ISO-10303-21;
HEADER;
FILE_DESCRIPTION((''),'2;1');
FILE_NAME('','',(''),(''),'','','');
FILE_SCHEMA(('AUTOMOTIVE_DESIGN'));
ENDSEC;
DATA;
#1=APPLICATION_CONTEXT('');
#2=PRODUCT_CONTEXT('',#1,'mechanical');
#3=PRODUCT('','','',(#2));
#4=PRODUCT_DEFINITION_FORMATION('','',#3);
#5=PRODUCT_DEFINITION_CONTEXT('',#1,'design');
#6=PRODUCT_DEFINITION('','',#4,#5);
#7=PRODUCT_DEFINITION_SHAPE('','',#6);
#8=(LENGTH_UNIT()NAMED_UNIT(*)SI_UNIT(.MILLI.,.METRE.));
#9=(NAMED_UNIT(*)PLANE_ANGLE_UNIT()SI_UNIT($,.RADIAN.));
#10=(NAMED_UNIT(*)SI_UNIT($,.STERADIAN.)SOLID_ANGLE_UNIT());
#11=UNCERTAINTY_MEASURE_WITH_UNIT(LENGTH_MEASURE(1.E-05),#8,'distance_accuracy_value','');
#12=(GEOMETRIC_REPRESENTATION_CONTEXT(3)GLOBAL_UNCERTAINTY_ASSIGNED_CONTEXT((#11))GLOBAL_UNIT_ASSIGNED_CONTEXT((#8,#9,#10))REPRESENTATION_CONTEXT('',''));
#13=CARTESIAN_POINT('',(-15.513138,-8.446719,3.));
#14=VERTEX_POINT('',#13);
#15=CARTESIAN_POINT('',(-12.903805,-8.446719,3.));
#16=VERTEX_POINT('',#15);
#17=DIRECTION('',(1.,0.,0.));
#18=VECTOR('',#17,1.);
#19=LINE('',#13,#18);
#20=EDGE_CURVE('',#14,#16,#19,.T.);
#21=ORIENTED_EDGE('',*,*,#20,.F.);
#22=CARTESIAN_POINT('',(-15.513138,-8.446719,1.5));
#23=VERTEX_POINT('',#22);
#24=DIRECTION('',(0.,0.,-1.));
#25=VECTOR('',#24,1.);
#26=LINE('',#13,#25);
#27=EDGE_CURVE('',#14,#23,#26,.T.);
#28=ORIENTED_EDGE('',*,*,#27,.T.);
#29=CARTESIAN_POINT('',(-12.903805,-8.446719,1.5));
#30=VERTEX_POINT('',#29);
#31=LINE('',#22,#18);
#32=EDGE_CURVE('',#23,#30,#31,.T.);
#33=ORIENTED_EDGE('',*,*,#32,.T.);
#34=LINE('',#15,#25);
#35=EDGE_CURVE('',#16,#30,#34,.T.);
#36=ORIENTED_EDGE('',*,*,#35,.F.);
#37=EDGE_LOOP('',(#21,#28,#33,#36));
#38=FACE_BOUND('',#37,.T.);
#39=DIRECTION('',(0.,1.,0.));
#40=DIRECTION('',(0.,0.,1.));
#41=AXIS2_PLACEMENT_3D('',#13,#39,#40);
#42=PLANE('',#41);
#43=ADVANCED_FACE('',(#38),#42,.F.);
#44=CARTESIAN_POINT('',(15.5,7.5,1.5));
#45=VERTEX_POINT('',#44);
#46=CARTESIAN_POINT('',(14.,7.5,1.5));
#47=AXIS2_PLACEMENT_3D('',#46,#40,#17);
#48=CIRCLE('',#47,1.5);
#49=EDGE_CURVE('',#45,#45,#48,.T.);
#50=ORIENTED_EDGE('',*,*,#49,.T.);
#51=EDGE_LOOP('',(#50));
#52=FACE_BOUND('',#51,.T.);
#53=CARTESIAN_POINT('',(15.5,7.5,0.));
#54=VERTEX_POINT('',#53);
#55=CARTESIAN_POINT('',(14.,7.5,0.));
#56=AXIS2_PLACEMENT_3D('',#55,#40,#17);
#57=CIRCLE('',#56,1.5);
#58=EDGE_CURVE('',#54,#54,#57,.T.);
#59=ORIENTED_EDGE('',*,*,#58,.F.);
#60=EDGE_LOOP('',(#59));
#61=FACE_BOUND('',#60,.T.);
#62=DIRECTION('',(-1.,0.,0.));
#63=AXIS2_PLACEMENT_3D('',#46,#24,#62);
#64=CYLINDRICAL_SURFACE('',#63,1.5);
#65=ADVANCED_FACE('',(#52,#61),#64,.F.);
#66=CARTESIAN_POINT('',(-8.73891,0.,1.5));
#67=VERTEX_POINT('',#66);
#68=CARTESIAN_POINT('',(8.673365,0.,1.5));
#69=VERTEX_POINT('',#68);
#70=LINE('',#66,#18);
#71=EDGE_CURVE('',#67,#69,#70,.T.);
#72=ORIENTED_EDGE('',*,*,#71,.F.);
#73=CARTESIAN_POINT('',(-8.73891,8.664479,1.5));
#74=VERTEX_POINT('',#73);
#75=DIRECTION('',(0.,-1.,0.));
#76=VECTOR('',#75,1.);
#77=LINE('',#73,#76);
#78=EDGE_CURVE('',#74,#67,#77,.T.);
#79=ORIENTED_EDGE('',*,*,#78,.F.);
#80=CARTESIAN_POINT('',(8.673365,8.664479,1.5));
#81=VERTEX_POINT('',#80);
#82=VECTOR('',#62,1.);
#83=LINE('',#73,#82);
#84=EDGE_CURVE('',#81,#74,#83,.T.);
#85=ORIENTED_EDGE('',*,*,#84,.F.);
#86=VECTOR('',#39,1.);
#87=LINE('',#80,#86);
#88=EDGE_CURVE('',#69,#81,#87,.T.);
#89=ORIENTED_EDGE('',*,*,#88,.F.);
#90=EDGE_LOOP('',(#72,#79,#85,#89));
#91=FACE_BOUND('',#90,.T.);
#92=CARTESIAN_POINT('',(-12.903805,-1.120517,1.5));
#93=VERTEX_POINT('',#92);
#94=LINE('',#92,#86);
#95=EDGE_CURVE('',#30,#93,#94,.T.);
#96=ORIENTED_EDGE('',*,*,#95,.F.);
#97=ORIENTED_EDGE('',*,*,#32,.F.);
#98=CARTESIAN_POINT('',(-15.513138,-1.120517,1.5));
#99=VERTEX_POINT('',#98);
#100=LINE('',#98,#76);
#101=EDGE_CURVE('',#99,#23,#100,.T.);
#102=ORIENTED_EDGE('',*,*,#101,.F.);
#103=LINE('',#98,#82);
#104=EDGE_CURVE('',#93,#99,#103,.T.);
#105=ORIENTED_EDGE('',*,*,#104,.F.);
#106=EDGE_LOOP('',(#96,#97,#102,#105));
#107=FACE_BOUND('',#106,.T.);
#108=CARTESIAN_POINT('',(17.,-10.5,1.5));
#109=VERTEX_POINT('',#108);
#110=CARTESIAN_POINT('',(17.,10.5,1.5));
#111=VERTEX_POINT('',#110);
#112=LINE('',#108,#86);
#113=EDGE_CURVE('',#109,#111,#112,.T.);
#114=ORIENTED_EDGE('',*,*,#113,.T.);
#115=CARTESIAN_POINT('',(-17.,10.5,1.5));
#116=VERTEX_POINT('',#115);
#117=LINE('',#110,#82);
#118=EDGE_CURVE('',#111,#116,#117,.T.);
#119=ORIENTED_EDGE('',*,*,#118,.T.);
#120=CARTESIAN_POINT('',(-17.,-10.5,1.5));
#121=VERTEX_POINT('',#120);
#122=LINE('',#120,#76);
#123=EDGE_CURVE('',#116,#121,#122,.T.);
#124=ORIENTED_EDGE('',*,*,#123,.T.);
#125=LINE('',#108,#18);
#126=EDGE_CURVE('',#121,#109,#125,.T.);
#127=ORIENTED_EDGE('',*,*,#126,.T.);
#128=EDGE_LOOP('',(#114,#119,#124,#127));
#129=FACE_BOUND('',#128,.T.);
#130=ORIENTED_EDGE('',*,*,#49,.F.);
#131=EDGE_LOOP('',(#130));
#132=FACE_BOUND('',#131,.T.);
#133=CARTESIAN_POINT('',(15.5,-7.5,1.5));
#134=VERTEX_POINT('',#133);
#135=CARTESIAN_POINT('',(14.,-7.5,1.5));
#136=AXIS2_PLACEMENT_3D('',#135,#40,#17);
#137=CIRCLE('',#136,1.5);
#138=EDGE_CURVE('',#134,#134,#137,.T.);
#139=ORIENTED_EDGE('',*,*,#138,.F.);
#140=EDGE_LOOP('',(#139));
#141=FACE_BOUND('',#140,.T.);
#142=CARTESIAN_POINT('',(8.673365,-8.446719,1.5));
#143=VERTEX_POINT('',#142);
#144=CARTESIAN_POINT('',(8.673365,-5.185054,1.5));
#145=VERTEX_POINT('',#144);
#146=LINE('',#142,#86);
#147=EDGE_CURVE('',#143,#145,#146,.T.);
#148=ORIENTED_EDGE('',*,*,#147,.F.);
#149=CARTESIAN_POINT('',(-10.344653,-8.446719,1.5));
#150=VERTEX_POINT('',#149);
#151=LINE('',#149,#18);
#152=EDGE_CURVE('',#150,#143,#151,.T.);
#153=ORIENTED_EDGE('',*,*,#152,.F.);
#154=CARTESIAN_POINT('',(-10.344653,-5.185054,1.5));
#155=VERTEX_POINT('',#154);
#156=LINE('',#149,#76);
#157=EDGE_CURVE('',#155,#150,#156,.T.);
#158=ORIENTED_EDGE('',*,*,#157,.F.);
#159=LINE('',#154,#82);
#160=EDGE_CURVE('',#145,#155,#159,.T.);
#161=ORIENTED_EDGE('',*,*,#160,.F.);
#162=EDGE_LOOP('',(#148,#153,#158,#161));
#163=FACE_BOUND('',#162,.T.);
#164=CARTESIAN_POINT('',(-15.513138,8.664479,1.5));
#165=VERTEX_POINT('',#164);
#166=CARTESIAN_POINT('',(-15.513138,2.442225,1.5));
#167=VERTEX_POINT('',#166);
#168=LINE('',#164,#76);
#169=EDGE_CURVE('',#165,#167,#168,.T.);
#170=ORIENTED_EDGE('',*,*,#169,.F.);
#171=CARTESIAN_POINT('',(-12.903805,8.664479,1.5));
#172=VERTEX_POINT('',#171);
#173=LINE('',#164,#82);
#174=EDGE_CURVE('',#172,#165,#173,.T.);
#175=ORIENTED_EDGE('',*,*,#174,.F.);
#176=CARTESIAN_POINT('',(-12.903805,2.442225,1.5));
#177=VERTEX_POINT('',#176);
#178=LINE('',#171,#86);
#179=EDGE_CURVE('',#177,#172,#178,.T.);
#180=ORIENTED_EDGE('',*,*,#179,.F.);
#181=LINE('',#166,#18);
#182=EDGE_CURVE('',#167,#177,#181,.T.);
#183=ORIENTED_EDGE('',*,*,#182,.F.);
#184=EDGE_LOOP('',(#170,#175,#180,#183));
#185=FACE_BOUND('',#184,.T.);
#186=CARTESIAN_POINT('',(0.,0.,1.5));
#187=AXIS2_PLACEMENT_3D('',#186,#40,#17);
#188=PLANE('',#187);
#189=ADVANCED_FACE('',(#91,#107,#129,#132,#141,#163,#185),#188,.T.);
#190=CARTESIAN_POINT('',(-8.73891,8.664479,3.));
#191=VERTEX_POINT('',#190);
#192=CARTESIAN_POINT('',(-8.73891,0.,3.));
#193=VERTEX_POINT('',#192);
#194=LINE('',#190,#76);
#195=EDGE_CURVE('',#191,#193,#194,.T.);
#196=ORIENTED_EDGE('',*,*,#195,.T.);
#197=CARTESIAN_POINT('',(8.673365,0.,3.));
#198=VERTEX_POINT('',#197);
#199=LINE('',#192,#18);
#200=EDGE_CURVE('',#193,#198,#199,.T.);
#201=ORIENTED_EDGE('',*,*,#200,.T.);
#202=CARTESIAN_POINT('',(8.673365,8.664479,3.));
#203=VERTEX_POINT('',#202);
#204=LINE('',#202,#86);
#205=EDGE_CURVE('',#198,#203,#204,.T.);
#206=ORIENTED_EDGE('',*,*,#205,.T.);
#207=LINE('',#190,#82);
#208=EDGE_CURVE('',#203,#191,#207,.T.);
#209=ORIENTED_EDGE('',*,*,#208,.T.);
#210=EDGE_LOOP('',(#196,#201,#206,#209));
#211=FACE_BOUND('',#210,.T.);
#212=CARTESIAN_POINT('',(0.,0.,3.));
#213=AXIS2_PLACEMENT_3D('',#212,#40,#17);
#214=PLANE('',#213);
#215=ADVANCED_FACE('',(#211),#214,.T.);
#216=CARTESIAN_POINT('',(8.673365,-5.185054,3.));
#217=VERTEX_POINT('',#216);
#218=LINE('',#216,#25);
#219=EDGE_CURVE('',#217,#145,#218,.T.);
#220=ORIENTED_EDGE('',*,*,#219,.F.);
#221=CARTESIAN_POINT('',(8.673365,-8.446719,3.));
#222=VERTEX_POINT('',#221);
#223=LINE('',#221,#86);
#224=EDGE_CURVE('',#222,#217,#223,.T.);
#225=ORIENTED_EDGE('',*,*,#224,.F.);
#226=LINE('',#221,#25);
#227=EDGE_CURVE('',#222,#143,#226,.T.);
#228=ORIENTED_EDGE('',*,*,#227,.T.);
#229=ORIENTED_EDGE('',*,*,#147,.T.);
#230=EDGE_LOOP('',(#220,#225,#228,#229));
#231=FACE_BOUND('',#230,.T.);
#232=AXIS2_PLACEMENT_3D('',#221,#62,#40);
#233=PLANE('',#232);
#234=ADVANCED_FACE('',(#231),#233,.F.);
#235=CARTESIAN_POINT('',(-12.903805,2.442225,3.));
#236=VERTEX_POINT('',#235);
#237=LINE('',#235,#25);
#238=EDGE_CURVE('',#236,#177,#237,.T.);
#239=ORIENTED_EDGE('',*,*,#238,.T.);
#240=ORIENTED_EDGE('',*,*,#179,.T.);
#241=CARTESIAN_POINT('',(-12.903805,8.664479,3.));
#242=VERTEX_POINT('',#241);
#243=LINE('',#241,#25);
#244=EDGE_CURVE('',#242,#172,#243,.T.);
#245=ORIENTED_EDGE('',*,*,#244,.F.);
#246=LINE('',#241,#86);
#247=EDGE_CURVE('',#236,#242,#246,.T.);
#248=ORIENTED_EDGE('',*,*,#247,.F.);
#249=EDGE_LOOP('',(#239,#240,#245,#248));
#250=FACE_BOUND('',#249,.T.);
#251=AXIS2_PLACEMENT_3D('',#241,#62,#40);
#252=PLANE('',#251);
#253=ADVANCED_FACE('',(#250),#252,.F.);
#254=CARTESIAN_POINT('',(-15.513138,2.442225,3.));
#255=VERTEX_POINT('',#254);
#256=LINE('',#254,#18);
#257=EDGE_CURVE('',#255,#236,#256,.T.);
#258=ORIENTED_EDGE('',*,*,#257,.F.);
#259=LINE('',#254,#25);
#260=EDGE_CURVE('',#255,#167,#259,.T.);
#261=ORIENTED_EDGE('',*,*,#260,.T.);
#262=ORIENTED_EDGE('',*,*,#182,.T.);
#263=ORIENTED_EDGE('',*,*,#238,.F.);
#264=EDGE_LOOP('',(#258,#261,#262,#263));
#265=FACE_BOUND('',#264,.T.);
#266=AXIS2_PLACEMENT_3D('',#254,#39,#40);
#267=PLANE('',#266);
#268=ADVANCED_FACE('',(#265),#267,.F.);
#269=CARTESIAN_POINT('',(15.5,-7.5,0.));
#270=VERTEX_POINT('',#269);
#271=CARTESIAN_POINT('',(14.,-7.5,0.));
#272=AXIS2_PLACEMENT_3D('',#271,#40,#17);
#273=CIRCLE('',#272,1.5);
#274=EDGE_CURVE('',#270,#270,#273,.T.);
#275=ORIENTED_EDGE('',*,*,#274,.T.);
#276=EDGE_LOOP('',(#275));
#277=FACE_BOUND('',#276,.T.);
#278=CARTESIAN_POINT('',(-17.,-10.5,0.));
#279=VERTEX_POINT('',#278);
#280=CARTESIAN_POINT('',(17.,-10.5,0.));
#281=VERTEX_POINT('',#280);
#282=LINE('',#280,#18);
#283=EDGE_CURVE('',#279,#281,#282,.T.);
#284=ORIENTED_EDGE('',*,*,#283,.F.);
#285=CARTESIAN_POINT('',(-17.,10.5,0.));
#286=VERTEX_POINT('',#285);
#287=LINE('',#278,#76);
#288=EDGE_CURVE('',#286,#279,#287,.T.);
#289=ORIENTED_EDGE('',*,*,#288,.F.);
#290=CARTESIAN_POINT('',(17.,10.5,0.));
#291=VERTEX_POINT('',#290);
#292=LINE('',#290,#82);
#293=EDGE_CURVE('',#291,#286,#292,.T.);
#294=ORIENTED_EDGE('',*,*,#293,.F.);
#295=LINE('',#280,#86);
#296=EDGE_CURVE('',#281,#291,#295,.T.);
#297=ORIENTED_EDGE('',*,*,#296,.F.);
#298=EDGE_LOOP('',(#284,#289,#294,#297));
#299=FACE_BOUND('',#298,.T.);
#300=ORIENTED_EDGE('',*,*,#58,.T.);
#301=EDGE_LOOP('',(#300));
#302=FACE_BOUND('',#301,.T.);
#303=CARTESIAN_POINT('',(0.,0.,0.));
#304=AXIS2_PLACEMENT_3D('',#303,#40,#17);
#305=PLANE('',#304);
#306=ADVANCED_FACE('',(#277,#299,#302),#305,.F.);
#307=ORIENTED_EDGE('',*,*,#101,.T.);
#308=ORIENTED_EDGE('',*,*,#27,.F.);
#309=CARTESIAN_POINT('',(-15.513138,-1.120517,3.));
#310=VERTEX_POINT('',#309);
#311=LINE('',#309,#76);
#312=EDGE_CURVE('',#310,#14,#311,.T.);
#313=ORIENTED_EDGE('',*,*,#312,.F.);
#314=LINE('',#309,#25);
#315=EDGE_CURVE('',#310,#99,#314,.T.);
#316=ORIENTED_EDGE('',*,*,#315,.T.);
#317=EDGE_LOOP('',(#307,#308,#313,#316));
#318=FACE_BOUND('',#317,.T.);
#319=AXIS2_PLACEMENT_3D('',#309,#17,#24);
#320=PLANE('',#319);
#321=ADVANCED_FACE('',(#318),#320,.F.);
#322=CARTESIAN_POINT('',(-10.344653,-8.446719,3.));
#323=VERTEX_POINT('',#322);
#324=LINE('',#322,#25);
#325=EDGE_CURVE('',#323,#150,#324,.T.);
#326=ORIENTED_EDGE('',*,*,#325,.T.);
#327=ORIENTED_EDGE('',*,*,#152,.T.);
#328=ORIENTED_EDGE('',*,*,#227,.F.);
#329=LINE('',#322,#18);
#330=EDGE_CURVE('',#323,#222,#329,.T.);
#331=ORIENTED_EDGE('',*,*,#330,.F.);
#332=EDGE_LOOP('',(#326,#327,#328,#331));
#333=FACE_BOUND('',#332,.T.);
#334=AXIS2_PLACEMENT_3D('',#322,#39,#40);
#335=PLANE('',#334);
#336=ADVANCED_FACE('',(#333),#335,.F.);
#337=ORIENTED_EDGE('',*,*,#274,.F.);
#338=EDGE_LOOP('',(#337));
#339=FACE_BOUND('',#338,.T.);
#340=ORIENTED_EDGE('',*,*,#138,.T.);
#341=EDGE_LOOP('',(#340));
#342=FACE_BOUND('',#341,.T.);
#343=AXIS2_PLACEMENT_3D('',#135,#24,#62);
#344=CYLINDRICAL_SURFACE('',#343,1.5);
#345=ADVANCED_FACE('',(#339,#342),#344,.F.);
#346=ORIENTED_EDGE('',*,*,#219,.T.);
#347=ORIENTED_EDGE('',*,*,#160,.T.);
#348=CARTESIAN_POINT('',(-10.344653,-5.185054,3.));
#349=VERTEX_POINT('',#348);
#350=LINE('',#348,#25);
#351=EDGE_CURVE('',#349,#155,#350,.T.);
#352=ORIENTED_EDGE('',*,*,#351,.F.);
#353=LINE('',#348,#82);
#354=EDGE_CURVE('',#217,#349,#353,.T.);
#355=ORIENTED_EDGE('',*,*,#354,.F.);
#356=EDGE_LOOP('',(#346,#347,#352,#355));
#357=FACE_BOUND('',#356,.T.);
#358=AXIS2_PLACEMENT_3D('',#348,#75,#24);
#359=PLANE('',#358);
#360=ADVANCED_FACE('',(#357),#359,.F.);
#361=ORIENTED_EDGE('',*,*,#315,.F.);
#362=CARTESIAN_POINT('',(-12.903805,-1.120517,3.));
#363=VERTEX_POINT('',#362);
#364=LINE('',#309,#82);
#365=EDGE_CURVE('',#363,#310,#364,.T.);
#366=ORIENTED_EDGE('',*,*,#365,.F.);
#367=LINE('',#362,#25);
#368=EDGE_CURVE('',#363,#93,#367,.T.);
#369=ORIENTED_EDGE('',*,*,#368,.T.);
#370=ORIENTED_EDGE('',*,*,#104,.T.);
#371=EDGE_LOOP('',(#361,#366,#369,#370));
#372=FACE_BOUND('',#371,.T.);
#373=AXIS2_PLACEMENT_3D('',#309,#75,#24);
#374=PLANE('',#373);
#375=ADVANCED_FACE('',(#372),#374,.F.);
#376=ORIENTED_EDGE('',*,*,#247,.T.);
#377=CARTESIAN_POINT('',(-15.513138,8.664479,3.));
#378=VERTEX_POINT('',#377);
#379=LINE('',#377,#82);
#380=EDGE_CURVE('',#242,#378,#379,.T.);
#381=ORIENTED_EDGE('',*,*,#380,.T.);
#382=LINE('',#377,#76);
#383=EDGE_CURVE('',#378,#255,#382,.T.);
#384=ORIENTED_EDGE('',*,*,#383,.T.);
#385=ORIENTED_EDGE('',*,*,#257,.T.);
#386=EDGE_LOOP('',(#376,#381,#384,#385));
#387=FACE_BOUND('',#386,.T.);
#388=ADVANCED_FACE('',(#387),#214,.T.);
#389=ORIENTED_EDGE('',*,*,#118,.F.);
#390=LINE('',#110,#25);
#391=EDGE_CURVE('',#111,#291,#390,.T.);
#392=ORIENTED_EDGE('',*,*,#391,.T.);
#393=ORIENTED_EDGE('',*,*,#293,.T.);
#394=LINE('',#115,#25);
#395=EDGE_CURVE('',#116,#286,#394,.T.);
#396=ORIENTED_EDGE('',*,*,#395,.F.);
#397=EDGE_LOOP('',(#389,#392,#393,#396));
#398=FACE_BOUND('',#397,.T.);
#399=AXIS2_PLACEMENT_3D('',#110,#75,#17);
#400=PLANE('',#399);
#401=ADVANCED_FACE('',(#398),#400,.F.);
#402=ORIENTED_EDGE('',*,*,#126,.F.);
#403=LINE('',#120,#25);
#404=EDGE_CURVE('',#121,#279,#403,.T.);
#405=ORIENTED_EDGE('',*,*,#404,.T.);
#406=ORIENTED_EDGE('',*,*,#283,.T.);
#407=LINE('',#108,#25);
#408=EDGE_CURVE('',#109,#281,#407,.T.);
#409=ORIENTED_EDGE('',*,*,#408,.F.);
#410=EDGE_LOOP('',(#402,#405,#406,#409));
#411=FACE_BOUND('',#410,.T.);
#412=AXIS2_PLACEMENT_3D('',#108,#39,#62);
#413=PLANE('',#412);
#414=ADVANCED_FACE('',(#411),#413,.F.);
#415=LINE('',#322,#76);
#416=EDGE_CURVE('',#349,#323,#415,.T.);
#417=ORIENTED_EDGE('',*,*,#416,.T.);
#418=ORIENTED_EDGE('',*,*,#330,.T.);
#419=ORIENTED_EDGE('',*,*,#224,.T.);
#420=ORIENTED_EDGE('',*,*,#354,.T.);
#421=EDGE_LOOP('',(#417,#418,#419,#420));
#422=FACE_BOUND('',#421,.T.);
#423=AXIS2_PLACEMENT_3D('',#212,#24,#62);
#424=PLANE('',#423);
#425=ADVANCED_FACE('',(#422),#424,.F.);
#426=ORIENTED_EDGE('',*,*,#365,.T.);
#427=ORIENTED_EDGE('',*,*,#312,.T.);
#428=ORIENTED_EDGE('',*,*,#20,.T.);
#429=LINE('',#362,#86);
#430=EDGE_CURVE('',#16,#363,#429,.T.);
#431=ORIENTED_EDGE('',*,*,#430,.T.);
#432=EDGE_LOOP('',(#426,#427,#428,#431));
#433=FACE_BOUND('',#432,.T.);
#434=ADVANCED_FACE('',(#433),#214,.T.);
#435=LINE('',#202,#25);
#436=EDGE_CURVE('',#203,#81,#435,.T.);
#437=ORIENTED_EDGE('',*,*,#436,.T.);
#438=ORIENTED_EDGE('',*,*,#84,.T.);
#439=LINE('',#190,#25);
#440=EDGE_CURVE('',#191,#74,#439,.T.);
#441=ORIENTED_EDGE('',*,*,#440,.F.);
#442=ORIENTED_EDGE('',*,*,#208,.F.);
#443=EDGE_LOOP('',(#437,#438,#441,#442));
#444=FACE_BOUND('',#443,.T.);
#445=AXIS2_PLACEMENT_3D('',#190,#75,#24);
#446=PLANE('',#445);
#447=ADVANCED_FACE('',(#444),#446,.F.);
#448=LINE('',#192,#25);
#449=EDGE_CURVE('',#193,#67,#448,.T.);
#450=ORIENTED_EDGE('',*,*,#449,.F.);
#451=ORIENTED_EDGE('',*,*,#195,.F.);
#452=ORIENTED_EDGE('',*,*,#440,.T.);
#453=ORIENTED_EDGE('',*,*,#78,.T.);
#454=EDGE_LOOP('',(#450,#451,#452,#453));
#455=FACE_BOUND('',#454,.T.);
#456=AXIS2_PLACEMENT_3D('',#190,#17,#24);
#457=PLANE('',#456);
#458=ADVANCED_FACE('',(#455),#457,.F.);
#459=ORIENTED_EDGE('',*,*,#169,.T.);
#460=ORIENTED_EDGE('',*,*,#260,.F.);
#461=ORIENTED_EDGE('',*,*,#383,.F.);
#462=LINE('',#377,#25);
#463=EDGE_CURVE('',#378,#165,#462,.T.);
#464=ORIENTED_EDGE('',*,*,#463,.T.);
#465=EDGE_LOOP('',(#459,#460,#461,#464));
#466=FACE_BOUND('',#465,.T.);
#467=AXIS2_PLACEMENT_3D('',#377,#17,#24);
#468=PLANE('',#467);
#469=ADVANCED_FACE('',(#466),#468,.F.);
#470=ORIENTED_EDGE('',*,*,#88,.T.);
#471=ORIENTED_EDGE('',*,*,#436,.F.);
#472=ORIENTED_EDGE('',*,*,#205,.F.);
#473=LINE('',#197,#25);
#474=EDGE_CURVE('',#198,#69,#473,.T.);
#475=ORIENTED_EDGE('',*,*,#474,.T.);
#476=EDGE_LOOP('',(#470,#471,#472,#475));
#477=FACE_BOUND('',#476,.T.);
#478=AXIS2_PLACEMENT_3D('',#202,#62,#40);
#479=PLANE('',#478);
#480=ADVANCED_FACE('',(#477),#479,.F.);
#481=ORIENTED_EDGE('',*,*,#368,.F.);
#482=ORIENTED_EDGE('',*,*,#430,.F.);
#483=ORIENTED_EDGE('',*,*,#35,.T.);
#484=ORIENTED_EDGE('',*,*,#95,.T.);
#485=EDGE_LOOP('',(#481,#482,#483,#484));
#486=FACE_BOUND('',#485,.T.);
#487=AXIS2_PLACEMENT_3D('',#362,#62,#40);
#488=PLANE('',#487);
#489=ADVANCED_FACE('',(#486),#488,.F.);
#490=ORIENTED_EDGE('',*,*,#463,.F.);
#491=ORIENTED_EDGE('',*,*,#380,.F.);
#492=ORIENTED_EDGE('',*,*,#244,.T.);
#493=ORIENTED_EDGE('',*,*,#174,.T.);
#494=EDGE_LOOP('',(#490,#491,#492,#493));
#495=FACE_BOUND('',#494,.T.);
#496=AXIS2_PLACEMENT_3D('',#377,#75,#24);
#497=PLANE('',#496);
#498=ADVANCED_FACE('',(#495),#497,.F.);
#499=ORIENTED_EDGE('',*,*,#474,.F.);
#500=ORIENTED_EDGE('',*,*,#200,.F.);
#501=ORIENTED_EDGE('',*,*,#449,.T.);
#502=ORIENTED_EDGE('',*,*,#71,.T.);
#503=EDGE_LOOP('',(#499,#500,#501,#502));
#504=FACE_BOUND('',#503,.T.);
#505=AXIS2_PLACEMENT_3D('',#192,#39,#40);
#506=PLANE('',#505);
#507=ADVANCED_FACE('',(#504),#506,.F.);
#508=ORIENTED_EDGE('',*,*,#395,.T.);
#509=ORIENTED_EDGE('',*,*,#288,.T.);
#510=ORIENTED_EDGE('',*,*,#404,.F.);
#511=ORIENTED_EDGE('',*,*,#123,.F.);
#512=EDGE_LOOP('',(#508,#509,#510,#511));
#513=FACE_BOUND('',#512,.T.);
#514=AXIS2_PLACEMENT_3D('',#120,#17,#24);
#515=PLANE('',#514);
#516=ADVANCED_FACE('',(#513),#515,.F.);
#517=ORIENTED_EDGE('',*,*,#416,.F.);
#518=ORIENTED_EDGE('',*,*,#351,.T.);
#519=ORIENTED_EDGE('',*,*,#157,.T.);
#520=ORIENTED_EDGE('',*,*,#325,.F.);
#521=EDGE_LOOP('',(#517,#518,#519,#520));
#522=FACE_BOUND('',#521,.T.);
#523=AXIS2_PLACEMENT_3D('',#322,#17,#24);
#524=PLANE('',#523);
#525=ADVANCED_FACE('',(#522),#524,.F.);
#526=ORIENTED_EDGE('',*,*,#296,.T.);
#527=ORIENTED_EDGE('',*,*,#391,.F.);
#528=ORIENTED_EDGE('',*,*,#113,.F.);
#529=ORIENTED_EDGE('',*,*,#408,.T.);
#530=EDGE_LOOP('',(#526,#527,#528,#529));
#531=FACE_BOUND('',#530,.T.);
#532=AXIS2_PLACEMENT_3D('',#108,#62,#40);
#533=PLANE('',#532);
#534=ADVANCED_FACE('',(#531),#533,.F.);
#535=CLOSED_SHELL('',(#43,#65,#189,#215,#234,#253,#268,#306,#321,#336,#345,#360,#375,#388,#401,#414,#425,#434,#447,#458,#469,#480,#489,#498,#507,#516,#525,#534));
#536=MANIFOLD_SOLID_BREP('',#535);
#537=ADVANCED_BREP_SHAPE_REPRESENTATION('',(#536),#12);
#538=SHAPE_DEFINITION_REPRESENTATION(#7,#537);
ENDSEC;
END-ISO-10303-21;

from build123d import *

# Parameters (mm, degrees)
SKETCH_1_W      = 34
SKETCH_1_H      = 21
SKETCH_1_R      = 1.5
EXTRUDE_1_DEPTH = 1.5
SKETCH_2_W      = 2.609332225
SKETCH_2_H      = 6.222253767
SKETCH_2_H_2    = 7.326202017
SKETCH_2_W_2    = 17.412274655
SKETCH_2_H_3    = 8.664478865
SKETCH_2_W_3    = 19.018017562
SKETCH_2_H_4    = 3.261665282
EXTRUDE_2_DEPTH = 1.5


with BuildPart() as part:
    # 草图1 → 凸台-拉伸1 (new body)
    with BuildSketch(Plane.XY):
        Rectangle(SKETCH_1_W, SKETCH_1_H)
        with Locations((14, 7.5)):
            Circle(SKETCH_1_R, mode=Mode.SUBTRACT)
        with Locations((14, -7.5)):
            Circle(SKETCH_1_R, mode=Mode.SUBTRACT)
    extrude(amount=EXTRUDE_1_DEPTH)

    # 草图2 → 凸台-拉伸2 (add)
    with BuildSketch(Plane.XY.offset(1.5)):
        with Locations((-14.208471454, 5.553351982)):
            Rectangle(SKETCH_2_W, SKETCH_2_H)
        with Locations((-14.208471454, -4.783617987)):
            Rectangle(SKETCH_2_W, SKETCH_2_H_2)
        with Locations((-0.032772348, 4.332239433)):
            Rectangle(SKETCH_2_W_2, SKETCH_2_H_3)
        with Locations((-0.835643802, -6.815886354)):
            Rectangle(SKETCH_2_W_3, SKETCH_2_H_4)
    extrude(amount=EXTRUDE_2_DEPTH)


solid = part.part
